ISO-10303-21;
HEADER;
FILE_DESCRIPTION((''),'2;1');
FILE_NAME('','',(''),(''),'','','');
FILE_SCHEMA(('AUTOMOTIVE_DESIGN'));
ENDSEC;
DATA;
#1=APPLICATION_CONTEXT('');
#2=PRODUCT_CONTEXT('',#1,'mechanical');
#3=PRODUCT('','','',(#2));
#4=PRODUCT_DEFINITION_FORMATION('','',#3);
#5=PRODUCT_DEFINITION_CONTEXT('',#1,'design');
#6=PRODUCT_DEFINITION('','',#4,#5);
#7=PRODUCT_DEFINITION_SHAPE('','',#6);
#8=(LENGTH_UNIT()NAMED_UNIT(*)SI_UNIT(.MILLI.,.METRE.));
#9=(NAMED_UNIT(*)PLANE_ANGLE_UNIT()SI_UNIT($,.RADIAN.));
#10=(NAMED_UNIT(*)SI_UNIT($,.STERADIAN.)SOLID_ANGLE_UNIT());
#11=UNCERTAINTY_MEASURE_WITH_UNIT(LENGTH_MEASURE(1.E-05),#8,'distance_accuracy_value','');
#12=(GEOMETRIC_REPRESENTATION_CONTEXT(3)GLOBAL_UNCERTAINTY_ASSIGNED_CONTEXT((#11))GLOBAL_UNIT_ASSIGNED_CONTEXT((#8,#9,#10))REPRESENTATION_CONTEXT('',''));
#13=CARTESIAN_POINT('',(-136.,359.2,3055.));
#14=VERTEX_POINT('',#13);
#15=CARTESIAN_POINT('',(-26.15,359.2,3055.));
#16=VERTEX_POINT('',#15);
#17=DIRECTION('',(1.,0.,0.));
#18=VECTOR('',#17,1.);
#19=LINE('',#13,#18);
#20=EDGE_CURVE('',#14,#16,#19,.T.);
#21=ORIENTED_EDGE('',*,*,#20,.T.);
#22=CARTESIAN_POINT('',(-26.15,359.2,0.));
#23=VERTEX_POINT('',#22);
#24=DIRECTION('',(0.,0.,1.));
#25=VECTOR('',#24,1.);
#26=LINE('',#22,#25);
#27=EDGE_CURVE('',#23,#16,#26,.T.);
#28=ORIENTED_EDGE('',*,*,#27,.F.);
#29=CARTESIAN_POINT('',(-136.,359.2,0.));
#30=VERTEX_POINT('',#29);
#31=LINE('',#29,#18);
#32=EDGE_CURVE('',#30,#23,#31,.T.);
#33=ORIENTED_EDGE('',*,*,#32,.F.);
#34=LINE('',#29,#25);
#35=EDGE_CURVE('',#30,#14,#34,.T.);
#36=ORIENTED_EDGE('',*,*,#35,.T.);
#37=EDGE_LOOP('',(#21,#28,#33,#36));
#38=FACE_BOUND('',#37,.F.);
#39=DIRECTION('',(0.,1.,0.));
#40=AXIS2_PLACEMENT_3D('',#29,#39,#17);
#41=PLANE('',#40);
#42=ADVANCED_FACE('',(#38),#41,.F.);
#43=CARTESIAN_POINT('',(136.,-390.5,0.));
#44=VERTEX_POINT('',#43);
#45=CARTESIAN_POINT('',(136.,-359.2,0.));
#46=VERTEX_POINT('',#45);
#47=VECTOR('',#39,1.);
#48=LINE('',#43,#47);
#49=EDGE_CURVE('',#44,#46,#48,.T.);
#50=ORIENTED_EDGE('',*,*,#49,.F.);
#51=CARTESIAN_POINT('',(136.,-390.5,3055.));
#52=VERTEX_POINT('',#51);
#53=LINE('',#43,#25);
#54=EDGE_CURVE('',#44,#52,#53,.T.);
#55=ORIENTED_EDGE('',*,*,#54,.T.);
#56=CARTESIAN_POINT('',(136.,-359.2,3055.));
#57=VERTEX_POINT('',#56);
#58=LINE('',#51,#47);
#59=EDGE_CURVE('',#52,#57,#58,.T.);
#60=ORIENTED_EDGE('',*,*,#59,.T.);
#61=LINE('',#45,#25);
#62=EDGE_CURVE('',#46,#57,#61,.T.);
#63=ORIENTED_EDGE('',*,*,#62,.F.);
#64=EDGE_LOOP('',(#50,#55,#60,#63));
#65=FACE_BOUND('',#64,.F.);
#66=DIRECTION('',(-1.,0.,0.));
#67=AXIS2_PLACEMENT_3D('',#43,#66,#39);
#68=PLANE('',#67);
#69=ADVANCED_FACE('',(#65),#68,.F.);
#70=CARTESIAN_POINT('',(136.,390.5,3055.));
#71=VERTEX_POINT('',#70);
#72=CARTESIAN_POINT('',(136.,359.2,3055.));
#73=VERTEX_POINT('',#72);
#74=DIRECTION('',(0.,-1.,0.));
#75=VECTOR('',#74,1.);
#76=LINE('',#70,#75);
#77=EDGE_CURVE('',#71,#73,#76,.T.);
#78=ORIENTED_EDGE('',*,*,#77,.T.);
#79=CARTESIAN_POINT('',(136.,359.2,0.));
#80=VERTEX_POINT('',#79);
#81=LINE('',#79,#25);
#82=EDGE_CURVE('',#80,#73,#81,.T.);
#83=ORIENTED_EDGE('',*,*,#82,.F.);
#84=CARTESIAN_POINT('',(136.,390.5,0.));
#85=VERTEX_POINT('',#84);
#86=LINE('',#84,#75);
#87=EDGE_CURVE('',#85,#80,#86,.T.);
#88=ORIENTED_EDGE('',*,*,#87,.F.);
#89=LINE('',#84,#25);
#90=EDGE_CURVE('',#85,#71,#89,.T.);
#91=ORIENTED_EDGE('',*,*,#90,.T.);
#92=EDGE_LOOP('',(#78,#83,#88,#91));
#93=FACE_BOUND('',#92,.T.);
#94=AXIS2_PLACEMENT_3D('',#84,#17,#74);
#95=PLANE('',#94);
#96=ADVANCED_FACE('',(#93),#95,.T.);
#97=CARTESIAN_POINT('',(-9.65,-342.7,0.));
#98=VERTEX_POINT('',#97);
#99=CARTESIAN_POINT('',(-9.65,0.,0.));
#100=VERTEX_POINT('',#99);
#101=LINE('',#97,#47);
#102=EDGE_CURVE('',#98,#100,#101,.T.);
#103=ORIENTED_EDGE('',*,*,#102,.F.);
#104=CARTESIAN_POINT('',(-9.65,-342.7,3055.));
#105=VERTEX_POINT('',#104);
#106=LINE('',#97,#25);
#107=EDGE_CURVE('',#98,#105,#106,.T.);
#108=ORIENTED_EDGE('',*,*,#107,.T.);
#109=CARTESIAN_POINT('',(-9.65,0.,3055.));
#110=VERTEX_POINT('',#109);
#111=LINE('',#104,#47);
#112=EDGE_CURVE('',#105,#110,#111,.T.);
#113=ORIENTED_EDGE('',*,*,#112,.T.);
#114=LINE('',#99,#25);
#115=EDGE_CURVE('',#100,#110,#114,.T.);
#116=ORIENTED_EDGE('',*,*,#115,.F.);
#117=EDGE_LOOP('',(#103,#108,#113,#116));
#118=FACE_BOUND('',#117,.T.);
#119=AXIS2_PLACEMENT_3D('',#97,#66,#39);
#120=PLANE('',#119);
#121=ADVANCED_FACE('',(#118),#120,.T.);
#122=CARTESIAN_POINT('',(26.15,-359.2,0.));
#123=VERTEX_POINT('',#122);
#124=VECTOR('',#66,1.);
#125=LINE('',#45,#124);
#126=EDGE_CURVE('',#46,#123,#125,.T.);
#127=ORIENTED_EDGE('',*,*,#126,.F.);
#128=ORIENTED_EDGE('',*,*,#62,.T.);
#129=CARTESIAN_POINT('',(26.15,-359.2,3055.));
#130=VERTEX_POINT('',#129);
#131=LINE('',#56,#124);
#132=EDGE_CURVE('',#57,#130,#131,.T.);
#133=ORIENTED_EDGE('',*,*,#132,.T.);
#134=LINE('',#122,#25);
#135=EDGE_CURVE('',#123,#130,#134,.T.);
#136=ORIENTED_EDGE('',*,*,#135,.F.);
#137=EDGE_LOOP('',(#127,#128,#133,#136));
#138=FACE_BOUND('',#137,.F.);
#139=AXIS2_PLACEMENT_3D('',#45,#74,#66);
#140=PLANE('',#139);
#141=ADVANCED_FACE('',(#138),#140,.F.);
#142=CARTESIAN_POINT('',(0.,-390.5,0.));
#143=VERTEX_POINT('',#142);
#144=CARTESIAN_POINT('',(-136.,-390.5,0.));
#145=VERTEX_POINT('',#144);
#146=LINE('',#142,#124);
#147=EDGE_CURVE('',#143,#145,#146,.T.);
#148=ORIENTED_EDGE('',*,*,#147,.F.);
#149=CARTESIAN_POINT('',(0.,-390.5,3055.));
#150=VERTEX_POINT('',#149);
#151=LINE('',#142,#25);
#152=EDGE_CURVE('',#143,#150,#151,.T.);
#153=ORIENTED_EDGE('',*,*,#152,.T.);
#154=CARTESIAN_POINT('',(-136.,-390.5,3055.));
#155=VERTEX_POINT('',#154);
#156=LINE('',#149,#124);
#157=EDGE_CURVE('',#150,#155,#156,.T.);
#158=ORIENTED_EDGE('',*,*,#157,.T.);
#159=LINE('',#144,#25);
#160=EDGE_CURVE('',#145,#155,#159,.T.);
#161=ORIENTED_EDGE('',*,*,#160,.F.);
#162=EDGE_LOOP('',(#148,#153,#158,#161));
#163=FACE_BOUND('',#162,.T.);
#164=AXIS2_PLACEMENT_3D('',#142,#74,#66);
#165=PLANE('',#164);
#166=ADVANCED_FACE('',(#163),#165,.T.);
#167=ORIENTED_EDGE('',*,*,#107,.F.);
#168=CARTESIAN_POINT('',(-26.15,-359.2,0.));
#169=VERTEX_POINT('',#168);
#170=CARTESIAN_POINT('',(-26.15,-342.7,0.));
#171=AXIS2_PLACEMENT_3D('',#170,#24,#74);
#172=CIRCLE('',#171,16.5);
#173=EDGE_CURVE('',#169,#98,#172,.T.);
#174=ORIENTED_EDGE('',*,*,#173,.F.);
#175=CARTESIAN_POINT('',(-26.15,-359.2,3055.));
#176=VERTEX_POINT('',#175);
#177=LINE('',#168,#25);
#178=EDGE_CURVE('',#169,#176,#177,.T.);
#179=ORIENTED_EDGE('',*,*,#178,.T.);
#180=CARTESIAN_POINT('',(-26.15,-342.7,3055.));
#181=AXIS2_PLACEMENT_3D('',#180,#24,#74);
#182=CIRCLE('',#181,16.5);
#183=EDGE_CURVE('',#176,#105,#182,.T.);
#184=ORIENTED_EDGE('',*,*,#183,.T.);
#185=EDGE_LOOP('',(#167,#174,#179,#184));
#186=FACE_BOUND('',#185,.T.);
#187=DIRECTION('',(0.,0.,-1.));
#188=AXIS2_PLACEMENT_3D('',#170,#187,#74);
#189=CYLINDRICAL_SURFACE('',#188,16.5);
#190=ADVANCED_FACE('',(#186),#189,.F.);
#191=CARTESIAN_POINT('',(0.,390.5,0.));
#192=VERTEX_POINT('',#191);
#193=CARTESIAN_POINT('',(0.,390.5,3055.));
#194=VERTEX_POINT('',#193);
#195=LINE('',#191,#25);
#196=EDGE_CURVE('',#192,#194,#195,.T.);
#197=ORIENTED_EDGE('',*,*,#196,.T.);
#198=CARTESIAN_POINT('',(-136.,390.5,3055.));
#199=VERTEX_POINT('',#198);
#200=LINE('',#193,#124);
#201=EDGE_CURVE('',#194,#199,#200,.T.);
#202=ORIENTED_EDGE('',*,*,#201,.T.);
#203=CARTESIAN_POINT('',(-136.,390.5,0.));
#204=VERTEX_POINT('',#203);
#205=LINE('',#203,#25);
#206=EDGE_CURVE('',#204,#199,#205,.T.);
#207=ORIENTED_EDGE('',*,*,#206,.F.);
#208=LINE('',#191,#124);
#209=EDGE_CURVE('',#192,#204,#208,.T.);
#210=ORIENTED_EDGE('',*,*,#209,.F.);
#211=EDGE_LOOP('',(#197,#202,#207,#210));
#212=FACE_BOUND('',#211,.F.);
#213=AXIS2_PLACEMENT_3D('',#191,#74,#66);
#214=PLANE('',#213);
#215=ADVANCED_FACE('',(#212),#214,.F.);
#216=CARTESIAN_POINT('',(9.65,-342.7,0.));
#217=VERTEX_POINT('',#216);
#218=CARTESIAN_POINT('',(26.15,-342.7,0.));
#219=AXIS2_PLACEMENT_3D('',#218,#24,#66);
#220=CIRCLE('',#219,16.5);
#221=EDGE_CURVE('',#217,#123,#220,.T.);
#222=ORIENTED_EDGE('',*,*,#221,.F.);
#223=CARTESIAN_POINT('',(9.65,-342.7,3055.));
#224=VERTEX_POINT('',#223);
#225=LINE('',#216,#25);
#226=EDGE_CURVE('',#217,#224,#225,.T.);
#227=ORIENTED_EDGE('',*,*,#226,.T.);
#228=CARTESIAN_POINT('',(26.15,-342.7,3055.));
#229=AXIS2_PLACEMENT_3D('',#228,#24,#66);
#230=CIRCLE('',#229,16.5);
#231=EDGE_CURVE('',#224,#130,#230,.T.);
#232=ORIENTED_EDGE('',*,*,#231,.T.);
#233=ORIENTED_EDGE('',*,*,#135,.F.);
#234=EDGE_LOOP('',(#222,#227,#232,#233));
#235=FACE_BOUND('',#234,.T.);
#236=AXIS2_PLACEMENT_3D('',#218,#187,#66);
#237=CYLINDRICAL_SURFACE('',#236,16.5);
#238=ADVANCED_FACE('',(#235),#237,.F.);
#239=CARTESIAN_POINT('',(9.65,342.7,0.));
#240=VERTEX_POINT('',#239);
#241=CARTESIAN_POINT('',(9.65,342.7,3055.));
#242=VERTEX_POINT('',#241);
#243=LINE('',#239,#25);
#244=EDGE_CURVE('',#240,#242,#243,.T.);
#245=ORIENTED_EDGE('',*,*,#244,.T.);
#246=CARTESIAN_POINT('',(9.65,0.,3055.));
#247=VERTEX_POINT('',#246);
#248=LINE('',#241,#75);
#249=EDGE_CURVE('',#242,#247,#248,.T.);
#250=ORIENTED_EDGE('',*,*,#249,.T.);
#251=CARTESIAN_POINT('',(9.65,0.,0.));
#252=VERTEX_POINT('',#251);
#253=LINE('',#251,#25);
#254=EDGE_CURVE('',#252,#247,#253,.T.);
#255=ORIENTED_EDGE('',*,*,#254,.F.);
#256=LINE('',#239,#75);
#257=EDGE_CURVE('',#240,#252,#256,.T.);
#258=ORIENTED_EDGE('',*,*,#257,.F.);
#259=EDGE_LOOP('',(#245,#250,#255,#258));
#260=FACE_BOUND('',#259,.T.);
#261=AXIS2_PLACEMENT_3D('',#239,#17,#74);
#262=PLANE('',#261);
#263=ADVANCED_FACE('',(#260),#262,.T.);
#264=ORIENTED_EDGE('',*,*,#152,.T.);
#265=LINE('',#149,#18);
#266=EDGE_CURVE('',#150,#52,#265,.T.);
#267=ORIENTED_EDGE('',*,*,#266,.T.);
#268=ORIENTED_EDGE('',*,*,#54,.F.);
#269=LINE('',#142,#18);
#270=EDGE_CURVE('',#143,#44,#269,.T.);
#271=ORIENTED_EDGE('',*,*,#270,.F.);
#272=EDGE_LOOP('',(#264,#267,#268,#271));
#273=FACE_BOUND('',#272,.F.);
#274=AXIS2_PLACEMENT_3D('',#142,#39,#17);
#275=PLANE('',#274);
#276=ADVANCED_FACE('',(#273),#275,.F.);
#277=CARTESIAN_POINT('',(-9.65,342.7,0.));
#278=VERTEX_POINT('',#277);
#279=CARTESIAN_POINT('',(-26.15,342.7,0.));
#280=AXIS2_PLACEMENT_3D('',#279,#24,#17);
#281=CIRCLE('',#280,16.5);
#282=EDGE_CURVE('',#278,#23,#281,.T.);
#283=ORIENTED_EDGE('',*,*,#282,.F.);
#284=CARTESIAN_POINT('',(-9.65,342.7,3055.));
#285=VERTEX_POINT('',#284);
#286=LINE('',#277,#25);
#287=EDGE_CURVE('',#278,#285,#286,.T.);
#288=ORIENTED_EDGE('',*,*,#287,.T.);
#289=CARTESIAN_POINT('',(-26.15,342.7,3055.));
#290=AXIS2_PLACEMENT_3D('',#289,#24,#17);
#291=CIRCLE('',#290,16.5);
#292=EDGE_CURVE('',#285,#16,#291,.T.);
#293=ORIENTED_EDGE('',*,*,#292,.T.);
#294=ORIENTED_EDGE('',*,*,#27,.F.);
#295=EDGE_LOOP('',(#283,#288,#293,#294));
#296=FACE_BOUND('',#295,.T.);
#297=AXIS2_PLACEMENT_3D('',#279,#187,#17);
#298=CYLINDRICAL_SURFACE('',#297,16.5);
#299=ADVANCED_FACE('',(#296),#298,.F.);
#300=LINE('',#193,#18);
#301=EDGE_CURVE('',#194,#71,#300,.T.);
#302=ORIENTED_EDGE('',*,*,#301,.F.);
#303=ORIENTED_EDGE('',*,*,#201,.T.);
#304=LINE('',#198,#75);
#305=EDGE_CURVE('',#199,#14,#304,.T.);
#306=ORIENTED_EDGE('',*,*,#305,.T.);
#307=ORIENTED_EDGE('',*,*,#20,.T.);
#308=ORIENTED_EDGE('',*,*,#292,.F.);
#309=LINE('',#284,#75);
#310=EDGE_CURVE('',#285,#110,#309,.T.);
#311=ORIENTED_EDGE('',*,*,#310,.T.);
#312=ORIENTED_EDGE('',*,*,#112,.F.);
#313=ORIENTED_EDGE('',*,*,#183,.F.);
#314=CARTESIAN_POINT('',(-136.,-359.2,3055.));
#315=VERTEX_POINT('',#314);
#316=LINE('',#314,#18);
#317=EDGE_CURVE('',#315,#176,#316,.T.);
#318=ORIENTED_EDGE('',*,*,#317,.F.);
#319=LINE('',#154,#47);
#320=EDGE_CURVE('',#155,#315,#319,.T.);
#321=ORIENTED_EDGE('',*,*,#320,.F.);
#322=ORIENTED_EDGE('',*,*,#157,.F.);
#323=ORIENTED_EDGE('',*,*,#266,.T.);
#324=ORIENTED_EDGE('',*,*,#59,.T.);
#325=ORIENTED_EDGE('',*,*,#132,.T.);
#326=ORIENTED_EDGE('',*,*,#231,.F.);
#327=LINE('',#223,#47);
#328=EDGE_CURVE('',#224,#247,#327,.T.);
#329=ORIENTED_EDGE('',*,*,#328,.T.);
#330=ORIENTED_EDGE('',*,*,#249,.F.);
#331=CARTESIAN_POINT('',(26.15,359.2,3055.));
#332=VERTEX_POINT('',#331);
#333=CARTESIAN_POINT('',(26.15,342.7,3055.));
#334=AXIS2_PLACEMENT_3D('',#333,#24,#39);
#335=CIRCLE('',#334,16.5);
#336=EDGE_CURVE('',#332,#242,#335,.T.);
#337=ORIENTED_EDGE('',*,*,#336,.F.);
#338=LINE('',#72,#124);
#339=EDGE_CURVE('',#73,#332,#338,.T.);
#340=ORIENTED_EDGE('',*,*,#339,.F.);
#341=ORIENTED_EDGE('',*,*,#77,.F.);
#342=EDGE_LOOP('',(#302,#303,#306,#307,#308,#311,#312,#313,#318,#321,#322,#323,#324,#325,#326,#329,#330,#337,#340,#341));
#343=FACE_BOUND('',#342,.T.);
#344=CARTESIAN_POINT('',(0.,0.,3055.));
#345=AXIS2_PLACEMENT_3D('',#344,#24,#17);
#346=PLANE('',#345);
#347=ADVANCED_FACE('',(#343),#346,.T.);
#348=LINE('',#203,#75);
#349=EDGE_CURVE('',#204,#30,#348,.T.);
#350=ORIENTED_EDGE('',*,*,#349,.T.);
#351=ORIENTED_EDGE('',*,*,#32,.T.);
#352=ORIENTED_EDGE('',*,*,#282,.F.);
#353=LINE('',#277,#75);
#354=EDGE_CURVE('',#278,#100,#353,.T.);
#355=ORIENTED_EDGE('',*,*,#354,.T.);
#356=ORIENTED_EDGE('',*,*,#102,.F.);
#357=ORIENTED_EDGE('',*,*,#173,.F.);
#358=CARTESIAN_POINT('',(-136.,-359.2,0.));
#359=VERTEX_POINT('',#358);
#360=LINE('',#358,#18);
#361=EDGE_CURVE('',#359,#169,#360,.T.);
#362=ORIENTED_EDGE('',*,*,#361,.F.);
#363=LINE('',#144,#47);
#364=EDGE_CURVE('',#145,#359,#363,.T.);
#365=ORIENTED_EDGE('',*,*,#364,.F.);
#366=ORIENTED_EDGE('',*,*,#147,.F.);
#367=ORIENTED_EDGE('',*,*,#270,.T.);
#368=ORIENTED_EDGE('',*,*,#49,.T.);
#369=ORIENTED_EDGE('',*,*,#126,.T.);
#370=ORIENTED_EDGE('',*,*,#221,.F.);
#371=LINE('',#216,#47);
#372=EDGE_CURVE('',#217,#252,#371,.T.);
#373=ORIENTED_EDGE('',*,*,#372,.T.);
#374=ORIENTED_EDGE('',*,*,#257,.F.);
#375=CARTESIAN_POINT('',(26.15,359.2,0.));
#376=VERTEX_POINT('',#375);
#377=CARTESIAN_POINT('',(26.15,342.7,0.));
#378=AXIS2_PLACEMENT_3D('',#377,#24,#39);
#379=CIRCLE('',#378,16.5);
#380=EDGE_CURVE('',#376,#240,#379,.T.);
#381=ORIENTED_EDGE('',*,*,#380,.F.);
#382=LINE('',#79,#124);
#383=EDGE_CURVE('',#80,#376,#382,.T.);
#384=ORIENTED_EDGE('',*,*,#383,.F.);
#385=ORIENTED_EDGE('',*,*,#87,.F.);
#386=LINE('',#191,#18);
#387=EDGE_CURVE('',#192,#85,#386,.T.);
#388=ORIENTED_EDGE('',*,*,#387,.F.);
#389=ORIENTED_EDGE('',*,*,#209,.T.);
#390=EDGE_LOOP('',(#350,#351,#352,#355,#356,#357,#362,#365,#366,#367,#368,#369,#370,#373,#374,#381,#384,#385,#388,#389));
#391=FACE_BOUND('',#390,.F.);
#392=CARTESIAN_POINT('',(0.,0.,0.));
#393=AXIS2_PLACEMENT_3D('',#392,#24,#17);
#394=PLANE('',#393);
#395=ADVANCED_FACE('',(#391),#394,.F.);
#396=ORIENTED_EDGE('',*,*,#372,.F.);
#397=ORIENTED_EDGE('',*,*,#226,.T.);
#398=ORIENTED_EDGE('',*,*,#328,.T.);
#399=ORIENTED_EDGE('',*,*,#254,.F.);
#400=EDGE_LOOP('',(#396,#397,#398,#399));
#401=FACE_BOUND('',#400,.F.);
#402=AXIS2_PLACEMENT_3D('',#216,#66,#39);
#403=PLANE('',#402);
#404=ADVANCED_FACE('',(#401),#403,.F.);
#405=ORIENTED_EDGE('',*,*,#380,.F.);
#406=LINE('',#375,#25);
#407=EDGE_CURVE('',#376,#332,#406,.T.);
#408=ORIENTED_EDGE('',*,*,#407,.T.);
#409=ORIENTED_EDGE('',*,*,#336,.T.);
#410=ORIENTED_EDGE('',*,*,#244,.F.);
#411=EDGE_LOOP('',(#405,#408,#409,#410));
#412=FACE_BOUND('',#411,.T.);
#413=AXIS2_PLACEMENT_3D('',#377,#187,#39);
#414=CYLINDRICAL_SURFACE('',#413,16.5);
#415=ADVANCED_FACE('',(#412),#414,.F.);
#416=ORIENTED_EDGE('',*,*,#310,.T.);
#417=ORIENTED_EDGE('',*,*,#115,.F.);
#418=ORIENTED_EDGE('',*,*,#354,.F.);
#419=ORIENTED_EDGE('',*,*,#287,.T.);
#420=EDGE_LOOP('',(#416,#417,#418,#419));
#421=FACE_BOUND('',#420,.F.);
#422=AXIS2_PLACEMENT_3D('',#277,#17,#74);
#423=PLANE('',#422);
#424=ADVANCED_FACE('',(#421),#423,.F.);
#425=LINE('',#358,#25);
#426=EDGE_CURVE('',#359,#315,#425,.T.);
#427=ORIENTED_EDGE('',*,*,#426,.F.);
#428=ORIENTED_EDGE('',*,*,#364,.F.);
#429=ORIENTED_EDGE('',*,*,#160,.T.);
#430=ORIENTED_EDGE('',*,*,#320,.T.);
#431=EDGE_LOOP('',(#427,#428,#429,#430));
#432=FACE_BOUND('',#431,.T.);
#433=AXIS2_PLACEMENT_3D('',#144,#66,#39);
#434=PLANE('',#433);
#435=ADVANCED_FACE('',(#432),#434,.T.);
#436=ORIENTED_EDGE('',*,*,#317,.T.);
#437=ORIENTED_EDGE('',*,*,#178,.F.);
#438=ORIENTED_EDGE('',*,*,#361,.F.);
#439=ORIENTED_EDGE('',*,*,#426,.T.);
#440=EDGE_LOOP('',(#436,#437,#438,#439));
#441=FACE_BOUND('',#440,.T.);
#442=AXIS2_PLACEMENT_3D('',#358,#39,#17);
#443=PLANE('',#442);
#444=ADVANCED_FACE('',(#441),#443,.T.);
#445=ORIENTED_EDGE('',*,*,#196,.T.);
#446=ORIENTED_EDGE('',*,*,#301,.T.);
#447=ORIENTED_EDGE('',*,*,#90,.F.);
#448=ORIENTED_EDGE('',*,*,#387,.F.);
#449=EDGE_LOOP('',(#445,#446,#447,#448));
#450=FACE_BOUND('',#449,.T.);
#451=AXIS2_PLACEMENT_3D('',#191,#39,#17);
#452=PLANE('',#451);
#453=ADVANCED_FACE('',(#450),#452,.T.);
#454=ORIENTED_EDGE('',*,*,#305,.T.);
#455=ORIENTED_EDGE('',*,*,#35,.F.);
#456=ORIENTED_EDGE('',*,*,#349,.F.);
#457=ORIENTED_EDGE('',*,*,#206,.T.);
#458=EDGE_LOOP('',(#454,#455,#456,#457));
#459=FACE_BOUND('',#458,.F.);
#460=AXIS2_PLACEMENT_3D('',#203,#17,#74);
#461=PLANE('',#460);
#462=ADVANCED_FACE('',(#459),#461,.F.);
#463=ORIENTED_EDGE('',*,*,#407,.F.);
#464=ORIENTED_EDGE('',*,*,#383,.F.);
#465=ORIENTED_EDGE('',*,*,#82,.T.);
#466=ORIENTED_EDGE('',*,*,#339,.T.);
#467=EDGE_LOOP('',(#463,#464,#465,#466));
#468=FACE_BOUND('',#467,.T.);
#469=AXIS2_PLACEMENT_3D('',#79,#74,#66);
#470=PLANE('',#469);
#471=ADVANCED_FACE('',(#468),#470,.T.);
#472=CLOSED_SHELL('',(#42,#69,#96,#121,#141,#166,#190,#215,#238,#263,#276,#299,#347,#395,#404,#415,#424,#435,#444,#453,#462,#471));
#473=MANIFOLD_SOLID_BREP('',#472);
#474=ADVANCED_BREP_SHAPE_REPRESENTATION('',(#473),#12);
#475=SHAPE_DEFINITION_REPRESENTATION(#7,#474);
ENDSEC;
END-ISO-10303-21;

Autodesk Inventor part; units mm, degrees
ref_plane "YZ Plane" through (0, 0, 0) normal (1, 0, 0) x (0, 1, 0)
ref_plane "Start plane" through (0, 0, 0) normal (0, 0, 1) x (1, 0, 0)
ref_plane "End plane" through (0, 0, 3055) normal (0, 0, 1) x (1, 0, 0)
sketch "Sketch" plane through (0, 0, 0) normal (0, 0, 1) x (1, 0, 0)
  line L0 (-136, -390.5) -> (-136, -359.2)
  line L1 (-136, -359.2) -> (-26.15, -359.2)
  line L2 (-9.65, -342.7) -> (-9.65, 0)
  line L3 (-9.65, 0) -> (0, 0) construction
  line L4 (0, 0) -> (0, -390.5) construction
  line L5 (0, -390.5) -> (-136, -390.5)
  line L6 (-60, 0) -> (80, 0) construction
  line L7 (0, -60) -> (0, 80) construction
  line L8 (136, -390.5) -> (136, -359.2)
  line L9 (136, -359.2) -> (26.15, -359.2)
  line L10 (9.65, -342.7) -> (9.65, 0)
  line L11 (9.65, 0) -> (0, 0) construction
  line L12 (0, -390.5) -> (136, -390.5)
  line L13 (-136, 390.5) -> (-136, 359.2)
  line L14 (-136, 359.2) -> (-26.15, 359.2)
  line L15 (-9.65, 342.7) -> (-9.65, 0)
  line L16 (0, 390.5) -> (-136, 390.5)
  line L17 (136, 390.5) -> (136, 359.2)
  line L18 (136, 359.2) -> (26.15, 359.2)
  line L19 (0, 390.5) -> (136, 390.5)
  line L20 (9.65, 342.7) -> (9.65, 0)
  arc A0 (-9.65, 342.7) -> (-26.15, 359.2) centre (-26.15, 342.7) ccw
  arc A1 (26.15, 359.2) -> (9.65, 342.7) centre (26.15, 342.7) ccw
  arc A2 (9.65, -342.7) -> (26.15, -359.2) centre (26.15, -342.7) ccw
  arc A3 (-26.15, -359.2) -> (-9.65, -342.7) centre (-26.15, -342.7) ccw
  line L21 (0, 108) -> (0, -88) construction
  line L22 (-88, 0) -> (108, 0) construction
  point P0 (-9.65, -359.2)
  point P1 (9.65, -359.2)
  point P2 (-9.65, 359.2)
  point P3 (9.65, 359.2)
  dimension "d1" = 390.5
  dimension "d2" = 31.3
  dimension "d3" = 136
  dimension "d4" = 9.65
  dimension "d10" = 16.5
extrude "Body" add sketch "Sketch" along normal up to surface (3055 mm away) from surface at 0
sketch "Sketch4" plane through (0, 0, 0) normal (0, 0, 1) x (1, 0, 0)
  line L0 (0, 0) -> (10, 0)
ref_plane "Work Plane3" through (0, 0, 0) normal (0, -1, 0) x (1, 0, 0)
sketch "Sketch5" plane through (0, 0, 0) normal (0, -1, 0) x (1, 0, 0)
  line L0 (-2, 0) -> (12, 0) projected
  line L1 (-2, 3055) -> (12, 3055) projected
  dimension "d14" = 3055
equation "\"d1\" = 0.5 * G_H"
equation "\"d2\" = G_T1"
equation "\"d3\" = 0.5 * G_W"
equation "\"d4\" = 0.5 * G_T"
equation "\"d10\" = G_IR"
equation "\"d5\" = G_L"
equation "\"G_W\" = 272"
equation "\"G_H\" = 781"
equation "\"G_T\" = 19.3"
equation "\"G_T1\" = 31.3"
equation "\"G_IR\" = 16.5"
equation "\"G_L\" = d14"
equation "\"G_OFFSET_START\" = 0"
equation "\"G_OFFSET_END\" = 0"
equation "\"d12\" = G_OFFSET_END + B_L"
equation "\"B_L\" = 3055"
properties part number "AS 3679-1990 - 760 UB - 244 - 3055" material "Steel, Mild"
